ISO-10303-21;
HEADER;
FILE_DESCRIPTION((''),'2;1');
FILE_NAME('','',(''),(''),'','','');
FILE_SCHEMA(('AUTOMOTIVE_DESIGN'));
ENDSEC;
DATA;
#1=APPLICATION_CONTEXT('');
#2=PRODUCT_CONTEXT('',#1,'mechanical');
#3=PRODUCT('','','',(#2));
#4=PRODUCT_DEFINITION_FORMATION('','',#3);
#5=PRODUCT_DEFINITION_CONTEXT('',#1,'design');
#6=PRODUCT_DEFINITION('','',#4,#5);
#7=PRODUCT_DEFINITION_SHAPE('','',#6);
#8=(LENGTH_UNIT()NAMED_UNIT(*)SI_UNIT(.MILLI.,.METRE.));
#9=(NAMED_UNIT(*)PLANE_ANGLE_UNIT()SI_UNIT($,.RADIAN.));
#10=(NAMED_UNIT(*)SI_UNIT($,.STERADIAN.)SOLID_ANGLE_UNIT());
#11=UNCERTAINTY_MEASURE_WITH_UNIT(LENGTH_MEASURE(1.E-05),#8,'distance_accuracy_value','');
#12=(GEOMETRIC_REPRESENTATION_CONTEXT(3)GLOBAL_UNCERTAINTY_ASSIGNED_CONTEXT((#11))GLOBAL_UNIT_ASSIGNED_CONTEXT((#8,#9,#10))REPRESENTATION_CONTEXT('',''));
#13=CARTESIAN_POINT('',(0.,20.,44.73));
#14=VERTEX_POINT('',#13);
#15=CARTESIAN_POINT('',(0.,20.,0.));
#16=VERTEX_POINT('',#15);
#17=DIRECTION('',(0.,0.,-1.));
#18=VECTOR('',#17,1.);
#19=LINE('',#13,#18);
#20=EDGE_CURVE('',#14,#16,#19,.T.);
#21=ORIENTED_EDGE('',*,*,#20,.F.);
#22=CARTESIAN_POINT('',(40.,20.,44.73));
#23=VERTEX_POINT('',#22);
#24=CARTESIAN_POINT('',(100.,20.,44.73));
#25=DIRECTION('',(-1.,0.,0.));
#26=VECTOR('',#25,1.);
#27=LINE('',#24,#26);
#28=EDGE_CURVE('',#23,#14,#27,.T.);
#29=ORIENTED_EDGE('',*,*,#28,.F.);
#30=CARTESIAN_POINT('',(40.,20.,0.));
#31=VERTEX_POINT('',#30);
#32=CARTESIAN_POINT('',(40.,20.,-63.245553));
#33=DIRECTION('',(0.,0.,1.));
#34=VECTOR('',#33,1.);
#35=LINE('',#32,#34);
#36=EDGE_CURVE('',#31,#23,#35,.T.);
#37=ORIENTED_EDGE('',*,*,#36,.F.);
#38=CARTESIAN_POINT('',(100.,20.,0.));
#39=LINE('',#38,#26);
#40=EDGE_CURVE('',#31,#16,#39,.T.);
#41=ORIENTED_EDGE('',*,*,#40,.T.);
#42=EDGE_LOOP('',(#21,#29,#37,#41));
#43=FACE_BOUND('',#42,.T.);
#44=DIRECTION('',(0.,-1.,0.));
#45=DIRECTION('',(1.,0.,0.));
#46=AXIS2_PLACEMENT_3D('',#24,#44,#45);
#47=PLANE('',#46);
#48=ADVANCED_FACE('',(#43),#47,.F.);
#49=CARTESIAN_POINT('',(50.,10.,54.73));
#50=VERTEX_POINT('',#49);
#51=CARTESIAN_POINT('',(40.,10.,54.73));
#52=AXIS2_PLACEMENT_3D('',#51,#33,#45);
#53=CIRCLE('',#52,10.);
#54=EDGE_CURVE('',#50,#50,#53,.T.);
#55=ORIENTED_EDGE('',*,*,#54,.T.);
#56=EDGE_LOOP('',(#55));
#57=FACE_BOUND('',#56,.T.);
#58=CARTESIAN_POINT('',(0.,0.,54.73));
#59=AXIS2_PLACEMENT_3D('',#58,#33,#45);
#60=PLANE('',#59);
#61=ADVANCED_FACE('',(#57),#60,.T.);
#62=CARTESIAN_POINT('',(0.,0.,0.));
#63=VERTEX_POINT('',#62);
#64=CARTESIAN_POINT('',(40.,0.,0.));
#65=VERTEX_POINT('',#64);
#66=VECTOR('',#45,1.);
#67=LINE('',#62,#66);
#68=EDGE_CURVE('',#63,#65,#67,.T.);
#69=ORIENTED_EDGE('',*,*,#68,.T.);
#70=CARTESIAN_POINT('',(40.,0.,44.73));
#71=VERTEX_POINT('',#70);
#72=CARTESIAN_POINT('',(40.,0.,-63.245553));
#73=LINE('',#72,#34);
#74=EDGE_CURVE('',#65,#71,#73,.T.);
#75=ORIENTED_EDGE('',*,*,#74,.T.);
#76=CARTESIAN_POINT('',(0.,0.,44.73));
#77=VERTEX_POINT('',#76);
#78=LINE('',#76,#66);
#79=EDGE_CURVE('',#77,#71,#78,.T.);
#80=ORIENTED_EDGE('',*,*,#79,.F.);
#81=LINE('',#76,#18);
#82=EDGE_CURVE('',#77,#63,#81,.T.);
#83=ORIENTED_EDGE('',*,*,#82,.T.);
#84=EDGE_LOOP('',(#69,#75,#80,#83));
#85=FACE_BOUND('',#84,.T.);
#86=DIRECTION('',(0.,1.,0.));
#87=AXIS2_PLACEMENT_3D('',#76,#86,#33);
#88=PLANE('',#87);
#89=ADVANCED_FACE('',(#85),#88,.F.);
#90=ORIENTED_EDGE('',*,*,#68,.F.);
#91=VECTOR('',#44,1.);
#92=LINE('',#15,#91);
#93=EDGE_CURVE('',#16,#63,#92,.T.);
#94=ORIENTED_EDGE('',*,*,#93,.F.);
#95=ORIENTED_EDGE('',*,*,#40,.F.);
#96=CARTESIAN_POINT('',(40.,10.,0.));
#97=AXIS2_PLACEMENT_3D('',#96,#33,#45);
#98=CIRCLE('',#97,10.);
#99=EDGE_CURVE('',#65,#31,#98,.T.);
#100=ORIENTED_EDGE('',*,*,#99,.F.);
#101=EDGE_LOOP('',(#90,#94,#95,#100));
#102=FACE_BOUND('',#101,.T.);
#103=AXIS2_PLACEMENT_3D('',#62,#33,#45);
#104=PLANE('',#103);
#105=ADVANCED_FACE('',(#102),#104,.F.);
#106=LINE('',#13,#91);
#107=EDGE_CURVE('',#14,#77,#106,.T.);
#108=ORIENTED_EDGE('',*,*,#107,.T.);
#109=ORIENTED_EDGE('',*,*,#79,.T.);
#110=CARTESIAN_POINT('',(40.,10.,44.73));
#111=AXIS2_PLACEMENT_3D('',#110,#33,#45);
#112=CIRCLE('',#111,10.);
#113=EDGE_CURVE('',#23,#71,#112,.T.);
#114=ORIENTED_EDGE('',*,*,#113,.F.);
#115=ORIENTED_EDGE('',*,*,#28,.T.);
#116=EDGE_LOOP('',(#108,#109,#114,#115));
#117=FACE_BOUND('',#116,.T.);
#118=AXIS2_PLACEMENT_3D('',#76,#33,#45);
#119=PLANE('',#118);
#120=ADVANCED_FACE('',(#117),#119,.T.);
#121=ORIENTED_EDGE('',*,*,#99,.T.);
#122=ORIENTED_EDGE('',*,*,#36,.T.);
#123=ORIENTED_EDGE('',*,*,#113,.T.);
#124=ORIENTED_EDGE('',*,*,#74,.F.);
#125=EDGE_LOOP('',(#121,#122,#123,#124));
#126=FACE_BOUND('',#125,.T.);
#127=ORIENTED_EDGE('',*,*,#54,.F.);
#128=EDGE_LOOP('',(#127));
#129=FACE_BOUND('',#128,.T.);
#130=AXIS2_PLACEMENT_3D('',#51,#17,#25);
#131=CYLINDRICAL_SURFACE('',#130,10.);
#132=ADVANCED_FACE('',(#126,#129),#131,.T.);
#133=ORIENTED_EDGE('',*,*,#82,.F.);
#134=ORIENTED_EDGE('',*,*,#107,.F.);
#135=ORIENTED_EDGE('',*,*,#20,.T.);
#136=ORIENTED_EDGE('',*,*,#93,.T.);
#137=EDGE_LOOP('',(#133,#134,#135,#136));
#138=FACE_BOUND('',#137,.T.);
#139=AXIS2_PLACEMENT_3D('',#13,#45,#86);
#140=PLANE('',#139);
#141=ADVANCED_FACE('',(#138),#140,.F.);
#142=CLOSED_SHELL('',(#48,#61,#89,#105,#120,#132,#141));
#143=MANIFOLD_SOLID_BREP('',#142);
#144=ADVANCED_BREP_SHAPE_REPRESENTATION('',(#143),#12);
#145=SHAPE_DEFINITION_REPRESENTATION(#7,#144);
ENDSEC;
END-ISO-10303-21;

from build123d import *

# Parameters (mm, degrees)
SKETCH_1_W          = 100
SKETCH_1_H          = 20
EXTRUDE_1_DEPTH     = 44.73
SKETCH_3_R          = 10
EXTRUDE_2_DEPTH     = 10
CUT_EXTRUDE_START   = -44.73
CUT_EXTRUDE_1_DEPTH = 44.73


with BuildPart() as part:
    # 草图1 → 凸台-拉伸1 (new body)
    with BuildSketch(Plane.XY):
        with Locations((50, 10)):
            Rectangle(SKETCH_1_W, SKETCH_1_H)
    extrude(amount=EXTRUDE_1_DEPTH)

    # 草图3 → 凸台-拉伸2 (add)
    with BuildSketch(Plane.XY.offset(44.73)):
        with Locations(Location((40, 10, 0), (0, 0, 270))):
            Circle(SKETCH_3_R)
    extrude(amount=EXTRUDE_2_DEPTH)

    # 草图4 → 切除-拉伸1 (cut)
    with BuildSketch(Plane.XY.offset(44.73).offset(CUT_EXTRUDE_START)):
        with BuildLine():
            Line((40, 0), (100, 0))
            Line((100, 0), (100, 20))
            Line((100, 20), (40, 20))
            ThreePointArc((40, 20), (50, 10), (40, 0))
        make_face()
    extrude(amount=CUT_EXTRUDE_1_DEPTH, mode=Mode.SUBTRACT)


solid = part.part
